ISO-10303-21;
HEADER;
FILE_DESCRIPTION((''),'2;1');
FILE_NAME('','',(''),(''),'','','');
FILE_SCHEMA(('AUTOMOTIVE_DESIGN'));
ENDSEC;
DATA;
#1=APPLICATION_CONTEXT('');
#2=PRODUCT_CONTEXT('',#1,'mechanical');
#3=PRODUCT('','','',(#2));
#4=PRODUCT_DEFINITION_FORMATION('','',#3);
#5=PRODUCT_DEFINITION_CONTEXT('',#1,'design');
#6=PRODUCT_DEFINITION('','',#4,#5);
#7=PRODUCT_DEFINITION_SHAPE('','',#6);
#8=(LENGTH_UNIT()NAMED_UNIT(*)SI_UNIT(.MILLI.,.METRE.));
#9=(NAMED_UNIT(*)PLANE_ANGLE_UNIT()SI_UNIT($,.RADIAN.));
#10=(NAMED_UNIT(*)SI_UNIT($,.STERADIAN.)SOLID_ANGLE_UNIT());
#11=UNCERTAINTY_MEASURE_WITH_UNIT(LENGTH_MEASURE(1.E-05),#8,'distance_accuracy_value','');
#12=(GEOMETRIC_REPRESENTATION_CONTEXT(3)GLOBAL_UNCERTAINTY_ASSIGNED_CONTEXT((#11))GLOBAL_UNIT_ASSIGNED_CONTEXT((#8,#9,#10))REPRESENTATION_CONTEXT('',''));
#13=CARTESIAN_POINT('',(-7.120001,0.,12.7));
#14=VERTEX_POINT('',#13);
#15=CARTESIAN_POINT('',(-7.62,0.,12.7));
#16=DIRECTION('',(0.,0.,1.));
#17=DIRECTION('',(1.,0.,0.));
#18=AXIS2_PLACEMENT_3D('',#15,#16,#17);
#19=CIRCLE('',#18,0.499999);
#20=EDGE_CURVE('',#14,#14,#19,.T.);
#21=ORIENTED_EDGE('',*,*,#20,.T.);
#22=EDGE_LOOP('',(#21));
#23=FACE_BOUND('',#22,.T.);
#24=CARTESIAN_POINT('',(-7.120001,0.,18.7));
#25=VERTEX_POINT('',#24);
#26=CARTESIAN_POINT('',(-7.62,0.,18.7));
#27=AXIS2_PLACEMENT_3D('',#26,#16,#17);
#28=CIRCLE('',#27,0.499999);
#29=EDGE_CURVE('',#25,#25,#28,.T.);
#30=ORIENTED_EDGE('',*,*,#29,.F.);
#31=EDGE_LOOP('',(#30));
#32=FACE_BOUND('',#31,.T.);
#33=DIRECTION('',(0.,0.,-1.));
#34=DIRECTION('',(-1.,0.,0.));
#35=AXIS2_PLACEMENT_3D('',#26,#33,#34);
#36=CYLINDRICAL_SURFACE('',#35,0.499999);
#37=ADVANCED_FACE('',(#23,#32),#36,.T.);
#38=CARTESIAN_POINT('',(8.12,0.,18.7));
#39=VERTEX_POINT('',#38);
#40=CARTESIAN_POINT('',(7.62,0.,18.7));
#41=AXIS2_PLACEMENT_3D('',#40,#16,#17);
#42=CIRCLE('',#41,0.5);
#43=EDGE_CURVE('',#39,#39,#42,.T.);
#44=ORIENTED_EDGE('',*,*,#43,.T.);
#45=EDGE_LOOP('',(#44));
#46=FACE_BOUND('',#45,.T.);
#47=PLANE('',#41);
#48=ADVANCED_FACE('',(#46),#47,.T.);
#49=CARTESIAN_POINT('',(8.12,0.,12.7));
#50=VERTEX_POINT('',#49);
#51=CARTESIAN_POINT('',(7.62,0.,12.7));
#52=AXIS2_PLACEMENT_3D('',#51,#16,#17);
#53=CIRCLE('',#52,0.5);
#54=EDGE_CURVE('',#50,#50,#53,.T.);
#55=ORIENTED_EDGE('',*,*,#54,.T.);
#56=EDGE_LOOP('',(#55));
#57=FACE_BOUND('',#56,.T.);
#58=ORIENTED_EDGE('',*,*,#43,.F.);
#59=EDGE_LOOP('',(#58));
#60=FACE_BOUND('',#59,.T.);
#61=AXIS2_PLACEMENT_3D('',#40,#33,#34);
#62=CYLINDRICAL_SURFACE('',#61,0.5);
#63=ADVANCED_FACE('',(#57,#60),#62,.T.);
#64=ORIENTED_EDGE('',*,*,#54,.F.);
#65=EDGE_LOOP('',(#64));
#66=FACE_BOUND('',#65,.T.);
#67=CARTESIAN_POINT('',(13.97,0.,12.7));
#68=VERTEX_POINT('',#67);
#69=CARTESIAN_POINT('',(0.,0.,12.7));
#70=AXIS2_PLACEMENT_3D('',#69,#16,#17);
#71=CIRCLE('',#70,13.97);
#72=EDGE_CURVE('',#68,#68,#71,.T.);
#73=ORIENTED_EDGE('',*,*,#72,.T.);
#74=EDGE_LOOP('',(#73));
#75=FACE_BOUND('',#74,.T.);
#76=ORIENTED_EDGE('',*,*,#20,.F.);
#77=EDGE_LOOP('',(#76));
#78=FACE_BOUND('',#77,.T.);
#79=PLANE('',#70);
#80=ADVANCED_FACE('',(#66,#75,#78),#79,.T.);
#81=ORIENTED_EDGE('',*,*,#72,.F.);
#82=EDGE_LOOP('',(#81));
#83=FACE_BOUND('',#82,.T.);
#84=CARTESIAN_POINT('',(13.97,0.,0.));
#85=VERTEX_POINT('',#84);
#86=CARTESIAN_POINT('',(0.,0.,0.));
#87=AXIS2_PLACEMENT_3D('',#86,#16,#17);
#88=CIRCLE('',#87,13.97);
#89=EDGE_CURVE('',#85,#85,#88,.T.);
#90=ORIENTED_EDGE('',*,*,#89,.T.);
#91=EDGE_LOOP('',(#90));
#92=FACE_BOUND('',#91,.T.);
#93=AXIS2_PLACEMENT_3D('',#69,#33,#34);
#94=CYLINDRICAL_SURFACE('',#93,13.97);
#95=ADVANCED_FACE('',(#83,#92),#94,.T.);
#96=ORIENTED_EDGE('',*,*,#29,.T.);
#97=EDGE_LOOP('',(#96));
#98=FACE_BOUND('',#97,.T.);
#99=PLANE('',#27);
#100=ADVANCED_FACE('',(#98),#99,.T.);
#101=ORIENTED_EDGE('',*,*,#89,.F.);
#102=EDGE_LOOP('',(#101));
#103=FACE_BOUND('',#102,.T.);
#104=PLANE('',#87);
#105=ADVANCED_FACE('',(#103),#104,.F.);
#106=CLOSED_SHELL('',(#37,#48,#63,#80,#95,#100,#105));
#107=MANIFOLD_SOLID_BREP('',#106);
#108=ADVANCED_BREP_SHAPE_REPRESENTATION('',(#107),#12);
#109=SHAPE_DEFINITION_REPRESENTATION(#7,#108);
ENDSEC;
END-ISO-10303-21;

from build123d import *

# Parameters (mm, degrees)
SKETCH1_R           = 13.97
BOSS_EXTRUDE1_DEPTH = 12.7
SKETCH2_R           = 0.499999
SKETCH2_R_2         = 0.5
BOSS_EXTRUDE2_DEPTH = 6


with BuildPart() as part:
    # Sketch1 → Boss-Extrude1 (new body)
    with BuildSketch(Plane.XY):
        Circle(SKETCH1_R)
    extrude(amount=BOSS_EXTRUDE1_DEPTH)

    # Sketch2 → Boss-Extrude2 (add)
    with BuildSketch(Plane.XY.offset(12.7)):
        with Locations((-7.62, 0)):
            Circle(SKETCH2_R)
        with Locations((7.62, 0)):
            Circle(SKETCH2_R_2)
    extrude(amount=BOSS_EXTRUDE2_DEPTH)


solid = part.part
